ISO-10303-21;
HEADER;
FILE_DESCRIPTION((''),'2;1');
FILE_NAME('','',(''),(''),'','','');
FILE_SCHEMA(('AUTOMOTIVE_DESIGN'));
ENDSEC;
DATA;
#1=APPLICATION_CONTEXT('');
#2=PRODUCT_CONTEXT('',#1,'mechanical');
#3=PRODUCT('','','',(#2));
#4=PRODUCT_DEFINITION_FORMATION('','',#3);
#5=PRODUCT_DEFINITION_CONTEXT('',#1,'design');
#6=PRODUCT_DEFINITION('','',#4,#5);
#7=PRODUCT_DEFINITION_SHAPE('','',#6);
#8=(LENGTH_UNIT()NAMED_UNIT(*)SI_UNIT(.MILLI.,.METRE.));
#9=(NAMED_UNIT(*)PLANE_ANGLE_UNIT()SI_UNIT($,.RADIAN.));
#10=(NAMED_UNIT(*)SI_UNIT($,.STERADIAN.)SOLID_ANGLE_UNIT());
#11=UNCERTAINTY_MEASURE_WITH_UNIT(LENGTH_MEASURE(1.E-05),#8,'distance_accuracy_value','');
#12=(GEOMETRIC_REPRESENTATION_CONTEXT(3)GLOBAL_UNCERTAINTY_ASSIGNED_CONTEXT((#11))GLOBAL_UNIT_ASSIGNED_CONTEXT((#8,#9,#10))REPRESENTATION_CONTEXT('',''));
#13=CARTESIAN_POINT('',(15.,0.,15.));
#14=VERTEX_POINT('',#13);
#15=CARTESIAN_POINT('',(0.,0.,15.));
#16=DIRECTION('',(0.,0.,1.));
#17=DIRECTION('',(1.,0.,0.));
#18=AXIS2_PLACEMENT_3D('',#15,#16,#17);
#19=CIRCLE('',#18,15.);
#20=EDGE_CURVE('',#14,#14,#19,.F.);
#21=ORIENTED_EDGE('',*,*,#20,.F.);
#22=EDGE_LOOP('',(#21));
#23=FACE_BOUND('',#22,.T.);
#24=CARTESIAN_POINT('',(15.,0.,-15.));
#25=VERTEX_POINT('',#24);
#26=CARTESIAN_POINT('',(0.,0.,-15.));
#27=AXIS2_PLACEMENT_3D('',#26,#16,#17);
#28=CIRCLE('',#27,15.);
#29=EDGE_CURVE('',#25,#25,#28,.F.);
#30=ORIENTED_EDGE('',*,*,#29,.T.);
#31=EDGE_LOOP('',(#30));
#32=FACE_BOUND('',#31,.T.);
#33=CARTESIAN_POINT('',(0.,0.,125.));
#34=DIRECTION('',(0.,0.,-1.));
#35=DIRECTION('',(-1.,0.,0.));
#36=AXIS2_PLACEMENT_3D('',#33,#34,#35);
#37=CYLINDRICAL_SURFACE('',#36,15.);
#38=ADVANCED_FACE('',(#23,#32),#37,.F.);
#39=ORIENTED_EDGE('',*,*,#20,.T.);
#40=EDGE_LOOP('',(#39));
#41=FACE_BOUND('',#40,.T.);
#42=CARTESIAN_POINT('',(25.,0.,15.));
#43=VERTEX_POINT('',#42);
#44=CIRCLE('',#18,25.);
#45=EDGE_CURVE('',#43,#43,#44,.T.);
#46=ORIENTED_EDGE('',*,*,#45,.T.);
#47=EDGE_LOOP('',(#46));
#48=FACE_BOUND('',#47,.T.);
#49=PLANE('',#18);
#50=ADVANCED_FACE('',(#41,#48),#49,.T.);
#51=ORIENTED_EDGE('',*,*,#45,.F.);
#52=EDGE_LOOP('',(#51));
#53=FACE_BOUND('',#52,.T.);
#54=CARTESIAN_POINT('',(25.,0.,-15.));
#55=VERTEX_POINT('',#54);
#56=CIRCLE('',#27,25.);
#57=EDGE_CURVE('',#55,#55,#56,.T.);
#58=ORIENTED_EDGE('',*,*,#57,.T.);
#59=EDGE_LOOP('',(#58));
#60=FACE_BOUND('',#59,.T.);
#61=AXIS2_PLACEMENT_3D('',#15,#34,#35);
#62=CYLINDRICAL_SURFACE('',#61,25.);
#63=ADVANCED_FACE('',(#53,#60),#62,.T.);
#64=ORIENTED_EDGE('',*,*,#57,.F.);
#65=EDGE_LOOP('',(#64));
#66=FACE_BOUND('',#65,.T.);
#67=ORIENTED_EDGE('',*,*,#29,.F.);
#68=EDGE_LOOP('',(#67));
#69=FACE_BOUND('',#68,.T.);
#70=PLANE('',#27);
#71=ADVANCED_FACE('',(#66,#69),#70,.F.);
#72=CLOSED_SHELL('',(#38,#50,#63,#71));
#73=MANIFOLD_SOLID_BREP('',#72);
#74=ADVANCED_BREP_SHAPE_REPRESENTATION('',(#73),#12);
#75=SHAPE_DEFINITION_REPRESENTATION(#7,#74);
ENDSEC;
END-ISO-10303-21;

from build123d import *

# Parameters (mm, degrees)
SKETCH1_R               = 25
BOSS_EXTRUDE1_DEPTH     = 15
SKETCH2_R               = 15
CUT_EXTRUDE1_DEPTH      = 110
CUT_EXTRUDE1_DEPTH_BACK = 112


with BuildPart() as part:
    # Sketch1 → Boss-Extrude1 (new body, symmetric)
    with BuildSketch(Plane.XY):
        Circle(SKETCH1_R)
    extrude(amount=BOSS_EXTRUDE1_DEPTH, both=True)

    # Sketch2 → Cut-Extrude1 (cut, two sides)
    with BuildSketch(Plane.XY.offset(15)) as cut_extrude1_sk:
        Circle(SKETCH2_R)
    extrude(amount=CUT_EXTRUDE1_DEPTH, mode=Mode.SUBTRACT)
    extrude(cut_extrude1_sk.sketch, amount=-CUT_EXTRUDE1_DEPTH_BACK, mode=Mode.SUBTRACT)


solid = part.part
